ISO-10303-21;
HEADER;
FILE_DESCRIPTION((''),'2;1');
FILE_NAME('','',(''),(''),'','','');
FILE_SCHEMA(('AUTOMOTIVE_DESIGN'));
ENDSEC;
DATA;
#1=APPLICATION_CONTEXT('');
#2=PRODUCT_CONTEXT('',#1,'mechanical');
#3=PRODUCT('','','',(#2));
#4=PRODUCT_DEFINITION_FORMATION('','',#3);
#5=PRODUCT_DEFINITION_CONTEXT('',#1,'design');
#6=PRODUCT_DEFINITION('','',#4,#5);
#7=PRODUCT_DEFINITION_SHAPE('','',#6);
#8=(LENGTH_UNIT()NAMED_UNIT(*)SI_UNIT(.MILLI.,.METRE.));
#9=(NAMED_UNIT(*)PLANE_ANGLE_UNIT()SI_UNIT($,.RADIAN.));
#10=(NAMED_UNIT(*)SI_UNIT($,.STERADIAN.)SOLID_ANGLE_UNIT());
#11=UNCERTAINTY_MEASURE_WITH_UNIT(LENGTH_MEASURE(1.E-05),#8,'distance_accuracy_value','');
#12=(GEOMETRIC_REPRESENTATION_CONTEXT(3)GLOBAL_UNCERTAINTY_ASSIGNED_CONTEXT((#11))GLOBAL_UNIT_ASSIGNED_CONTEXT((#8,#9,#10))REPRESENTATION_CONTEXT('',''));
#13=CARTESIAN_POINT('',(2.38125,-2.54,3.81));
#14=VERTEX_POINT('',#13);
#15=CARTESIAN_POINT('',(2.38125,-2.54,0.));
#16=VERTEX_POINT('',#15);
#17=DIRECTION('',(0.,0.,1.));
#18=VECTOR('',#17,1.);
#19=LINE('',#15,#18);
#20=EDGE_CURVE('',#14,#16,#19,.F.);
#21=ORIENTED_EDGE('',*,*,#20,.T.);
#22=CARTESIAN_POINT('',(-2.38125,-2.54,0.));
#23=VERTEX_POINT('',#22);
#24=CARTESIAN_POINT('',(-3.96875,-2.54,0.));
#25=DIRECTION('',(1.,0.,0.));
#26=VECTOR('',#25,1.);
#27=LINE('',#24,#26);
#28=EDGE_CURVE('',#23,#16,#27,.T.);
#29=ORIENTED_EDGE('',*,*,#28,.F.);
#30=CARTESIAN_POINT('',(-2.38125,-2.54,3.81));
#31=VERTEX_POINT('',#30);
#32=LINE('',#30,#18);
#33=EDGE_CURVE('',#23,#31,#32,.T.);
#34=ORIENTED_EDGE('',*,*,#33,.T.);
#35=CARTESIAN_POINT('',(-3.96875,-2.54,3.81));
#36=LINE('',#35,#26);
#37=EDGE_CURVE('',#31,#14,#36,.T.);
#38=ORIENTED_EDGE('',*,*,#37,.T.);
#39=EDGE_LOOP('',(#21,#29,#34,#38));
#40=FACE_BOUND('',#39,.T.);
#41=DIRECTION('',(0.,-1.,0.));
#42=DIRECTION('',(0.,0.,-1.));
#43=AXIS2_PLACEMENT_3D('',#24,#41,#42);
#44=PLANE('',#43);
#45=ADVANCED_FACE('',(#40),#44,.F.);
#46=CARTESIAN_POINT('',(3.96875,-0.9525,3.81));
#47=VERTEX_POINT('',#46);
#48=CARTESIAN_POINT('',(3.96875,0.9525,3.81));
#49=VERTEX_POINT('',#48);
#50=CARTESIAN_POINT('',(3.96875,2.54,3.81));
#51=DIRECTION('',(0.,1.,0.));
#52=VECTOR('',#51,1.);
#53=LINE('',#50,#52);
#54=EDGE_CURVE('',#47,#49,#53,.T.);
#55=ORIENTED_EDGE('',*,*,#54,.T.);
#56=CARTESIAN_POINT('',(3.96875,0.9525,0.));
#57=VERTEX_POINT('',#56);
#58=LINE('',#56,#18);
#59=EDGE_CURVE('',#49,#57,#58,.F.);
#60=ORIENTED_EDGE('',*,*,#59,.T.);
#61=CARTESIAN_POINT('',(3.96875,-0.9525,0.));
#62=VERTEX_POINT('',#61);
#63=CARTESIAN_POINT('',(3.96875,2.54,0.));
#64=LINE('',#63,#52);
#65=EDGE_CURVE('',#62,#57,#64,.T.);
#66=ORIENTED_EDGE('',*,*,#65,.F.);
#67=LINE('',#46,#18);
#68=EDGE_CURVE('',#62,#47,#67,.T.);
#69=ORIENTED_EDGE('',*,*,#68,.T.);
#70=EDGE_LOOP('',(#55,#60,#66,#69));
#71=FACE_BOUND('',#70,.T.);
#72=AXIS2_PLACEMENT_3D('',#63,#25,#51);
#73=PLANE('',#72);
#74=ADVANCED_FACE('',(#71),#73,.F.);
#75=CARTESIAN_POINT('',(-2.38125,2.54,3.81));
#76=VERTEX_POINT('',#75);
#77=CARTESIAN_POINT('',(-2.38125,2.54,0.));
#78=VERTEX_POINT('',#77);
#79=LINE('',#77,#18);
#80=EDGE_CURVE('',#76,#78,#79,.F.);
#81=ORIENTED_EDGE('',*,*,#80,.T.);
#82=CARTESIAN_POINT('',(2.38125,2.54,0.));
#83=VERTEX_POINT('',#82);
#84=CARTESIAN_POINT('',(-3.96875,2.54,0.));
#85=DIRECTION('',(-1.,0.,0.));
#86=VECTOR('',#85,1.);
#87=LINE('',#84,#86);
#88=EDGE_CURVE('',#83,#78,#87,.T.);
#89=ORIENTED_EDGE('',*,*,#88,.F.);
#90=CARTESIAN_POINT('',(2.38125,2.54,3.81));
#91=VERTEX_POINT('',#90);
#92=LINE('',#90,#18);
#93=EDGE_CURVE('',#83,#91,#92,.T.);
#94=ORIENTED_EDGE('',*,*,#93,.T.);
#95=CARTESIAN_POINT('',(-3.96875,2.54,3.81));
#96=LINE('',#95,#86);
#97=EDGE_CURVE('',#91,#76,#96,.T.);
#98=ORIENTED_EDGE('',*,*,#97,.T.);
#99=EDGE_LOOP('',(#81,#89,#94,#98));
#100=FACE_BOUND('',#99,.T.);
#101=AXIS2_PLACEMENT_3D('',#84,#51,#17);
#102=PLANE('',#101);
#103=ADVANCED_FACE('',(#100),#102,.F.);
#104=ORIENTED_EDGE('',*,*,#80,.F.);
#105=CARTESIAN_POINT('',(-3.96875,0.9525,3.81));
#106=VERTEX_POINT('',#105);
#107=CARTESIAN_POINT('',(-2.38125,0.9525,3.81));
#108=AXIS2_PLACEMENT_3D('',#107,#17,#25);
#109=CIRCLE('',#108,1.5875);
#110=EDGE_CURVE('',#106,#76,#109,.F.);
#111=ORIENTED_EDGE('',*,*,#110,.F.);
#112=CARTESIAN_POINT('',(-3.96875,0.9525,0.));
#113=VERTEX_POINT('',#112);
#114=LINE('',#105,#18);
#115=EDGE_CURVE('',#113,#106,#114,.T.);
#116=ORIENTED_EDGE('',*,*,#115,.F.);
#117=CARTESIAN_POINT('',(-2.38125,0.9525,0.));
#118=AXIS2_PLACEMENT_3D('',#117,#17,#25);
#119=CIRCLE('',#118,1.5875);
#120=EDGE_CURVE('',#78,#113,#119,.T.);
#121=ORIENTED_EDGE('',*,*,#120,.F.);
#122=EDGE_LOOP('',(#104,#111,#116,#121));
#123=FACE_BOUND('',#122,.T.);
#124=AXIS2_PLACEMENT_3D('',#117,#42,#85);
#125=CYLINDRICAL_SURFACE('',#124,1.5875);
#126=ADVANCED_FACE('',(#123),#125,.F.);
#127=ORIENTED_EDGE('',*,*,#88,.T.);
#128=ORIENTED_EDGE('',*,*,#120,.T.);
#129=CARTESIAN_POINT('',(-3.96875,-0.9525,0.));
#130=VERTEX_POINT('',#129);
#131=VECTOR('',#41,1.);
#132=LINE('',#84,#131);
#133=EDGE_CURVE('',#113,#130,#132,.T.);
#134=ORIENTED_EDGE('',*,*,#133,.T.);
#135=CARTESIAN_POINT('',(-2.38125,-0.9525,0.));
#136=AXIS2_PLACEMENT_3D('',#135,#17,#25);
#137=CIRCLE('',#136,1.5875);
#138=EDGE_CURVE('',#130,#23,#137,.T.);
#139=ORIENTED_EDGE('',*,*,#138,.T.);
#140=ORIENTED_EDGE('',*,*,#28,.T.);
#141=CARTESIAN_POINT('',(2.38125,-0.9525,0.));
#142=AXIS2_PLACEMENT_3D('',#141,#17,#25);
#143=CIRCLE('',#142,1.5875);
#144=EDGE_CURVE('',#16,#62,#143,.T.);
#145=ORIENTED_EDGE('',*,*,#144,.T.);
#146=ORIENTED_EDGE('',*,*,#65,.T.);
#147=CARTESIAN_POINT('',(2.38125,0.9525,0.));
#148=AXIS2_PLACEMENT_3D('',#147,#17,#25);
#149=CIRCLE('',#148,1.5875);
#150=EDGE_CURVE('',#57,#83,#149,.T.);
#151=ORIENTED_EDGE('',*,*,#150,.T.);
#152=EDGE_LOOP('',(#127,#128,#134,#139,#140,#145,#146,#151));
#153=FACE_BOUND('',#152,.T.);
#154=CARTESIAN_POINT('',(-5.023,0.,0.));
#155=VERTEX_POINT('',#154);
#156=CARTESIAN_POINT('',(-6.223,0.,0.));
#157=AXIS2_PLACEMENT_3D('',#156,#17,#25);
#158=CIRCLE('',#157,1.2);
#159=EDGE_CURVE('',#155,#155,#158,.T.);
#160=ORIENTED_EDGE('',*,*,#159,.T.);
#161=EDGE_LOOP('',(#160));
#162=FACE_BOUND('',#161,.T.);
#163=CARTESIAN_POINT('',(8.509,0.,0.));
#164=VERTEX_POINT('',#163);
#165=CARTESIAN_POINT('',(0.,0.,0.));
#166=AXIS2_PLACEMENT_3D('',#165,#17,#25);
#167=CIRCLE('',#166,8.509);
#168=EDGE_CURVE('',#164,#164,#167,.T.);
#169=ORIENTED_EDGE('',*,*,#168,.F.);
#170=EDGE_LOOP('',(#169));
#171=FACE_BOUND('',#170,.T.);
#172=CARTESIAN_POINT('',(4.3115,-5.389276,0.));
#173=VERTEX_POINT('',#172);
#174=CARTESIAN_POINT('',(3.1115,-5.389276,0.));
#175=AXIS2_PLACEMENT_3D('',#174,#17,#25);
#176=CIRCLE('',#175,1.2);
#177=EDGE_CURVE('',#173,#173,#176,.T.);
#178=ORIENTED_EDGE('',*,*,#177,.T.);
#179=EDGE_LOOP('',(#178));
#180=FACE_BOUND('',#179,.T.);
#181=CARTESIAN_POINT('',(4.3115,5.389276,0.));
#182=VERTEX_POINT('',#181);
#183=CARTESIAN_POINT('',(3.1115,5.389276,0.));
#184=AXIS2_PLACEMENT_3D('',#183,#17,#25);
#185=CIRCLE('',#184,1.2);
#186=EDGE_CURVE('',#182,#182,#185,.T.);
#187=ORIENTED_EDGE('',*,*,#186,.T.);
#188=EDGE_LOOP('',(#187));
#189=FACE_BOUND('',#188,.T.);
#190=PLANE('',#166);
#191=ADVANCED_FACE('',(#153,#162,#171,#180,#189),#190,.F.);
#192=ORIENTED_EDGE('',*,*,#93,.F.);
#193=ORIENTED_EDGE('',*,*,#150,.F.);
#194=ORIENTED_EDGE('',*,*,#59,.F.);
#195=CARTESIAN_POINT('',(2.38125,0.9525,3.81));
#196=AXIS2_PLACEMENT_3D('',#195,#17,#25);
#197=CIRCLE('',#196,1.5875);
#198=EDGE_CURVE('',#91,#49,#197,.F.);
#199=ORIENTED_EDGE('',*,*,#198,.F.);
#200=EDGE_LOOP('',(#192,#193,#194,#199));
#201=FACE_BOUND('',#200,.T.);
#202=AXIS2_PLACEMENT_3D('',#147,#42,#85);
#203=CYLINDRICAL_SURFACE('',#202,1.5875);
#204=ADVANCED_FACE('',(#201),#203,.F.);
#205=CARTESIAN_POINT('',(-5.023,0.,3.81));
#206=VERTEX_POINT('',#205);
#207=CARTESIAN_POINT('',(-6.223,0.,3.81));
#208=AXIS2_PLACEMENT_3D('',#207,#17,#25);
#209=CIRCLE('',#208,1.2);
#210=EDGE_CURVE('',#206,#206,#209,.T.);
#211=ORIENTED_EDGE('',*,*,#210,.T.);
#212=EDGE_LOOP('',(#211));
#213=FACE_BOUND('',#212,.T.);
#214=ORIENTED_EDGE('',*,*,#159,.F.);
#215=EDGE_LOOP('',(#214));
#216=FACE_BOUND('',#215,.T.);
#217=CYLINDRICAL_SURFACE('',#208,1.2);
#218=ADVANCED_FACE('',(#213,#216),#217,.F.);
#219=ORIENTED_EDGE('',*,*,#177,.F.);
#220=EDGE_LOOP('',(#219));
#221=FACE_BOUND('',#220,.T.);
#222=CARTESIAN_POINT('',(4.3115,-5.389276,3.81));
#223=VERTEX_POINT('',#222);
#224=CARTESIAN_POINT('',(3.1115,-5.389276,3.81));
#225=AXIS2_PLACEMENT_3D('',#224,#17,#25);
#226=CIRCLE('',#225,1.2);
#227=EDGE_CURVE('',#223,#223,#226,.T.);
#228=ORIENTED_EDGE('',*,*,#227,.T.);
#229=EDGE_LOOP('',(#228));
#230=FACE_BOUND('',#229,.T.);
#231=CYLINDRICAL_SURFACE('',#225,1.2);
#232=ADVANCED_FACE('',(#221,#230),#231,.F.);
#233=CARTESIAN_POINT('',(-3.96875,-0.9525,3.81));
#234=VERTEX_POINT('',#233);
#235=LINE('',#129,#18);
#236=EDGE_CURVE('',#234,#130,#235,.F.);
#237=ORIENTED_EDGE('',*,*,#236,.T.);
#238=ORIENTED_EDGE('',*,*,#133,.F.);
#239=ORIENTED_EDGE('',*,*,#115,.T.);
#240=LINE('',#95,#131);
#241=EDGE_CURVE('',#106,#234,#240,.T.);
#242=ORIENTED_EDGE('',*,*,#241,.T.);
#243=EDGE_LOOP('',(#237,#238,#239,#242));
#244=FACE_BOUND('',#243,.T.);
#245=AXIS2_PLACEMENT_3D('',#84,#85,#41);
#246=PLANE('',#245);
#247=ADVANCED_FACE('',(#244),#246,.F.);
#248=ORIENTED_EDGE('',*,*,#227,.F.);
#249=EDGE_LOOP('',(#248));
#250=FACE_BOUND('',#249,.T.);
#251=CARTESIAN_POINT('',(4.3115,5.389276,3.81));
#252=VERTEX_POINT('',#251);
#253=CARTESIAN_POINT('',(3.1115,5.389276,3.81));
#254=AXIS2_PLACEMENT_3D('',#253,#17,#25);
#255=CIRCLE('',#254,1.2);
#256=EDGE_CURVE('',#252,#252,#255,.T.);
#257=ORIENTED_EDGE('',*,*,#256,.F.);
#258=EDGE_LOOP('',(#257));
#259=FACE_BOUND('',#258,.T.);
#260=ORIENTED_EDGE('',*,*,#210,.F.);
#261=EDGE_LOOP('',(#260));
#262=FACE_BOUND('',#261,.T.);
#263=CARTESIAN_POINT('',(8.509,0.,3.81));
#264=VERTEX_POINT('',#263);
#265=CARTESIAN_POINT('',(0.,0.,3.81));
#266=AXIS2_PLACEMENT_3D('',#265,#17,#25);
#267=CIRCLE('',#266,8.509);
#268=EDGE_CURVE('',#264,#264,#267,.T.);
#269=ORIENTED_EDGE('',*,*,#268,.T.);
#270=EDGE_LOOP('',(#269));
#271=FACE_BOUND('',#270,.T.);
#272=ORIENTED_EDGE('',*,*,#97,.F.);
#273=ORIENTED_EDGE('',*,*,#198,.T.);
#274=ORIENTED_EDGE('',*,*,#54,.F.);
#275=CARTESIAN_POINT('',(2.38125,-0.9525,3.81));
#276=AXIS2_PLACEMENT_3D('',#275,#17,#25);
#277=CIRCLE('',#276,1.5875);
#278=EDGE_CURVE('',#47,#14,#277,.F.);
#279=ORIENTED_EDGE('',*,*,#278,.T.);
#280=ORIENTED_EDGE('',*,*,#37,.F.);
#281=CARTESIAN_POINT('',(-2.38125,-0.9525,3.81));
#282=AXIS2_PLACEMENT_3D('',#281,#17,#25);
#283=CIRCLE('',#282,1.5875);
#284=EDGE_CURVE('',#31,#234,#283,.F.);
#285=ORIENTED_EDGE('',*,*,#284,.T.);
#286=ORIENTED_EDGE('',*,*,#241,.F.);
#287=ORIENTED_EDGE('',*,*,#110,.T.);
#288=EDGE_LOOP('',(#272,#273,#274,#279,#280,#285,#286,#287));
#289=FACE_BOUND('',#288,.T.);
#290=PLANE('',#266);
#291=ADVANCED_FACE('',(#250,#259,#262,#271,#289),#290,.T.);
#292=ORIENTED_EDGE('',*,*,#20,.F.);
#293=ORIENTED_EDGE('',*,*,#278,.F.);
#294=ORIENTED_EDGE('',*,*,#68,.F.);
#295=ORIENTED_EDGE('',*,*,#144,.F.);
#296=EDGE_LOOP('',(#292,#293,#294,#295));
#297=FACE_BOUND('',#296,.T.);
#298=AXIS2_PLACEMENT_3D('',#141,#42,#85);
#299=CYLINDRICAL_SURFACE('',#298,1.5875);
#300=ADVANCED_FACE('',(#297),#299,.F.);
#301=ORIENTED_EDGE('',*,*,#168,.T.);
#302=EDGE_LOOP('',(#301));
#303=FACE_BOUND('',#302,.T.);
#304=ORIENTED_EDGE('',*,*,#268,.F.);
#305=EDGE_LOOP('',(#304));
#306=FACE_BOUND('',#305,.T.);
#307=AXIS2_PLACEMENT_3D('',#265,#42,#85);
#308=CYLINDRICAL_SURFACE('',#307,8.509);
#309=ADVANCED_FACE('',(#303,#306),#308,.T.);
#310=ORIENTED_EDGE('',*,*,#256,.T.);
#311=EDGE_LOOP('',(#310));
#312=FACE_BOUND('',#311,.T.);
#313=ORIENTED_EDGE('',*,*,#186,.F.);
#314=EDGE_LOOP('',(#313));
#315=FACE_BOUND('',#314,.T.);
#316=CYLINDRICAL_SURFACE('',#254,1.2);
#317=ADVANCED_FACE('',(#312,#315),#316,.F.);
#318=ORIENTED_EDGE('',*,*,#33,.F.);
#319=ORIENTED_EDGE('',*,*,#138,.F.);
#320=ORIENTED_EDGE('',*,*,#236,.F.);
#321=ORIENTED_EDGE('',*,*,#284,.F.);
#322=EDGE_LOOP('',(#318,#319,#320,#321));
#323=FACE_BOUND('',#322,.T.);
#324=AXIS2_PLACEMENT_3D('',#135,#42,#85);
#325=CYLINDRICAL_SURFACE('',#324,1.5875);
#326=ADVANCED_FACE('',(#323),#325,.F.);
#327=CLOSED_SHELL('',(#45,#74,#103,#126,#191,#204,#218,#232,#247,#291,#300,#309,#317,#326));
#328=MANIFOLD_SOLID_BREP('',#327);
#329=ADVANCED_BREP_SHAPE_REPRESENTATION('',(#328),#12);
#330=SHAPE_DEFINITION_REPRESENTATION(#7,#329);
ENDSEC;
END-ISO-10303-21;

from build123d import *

# Parameters (mm, degrees)
SKETCH1_R            = 8.509
BOSS_EXTRUDE1_DEPTH  = 3.81
SKETCH3_W            = 7.9375
SKETCH3_H            = 5.08
CUT_EXTRUDE2_DEPTH   = 3.81
M2_CLEARANCE_HOLE1_D = 2.4
FILLET1_R            = 1.5875


with BuildPart() as part:
    # Sketch1 → Boss-Extrude1 (new body)
    with BuildSketch(Plane.XY):
        Circle(SKETCH1_R)
    extrude(amount=BOSS_EXTRUDE1_DEPTH)

    # Sketch3 → Cut-Extrude2 (cut)
    with BuildSketch(Plane.XY.offset(3.81)):
        Rectangle(SKETCH3_W, SKETCH3_H)
    extrude(amount=-CUT_EXTRUDE2_DEPTH, mode=Mode.SUBTRACT)

    # M2 Clearance Hole1 (through all)
    with Locations(Plane.XY.offset(3.81)):
        with Locations((-6.223, 0), (3.1115, 5.389276088), (3.1115, -5.389276088)):
            Hole(M2_CLEARANCE_HOLE1_D / 2)

    # Fillet1
    fillet1_edges = [part.edges().sort_by_distance(p)[0] for p in [
        (3.96875, 2.54, 1.905),
        (3.96875, -2.54, 1.905),
        (-3.96875, -2.54, 1.905),
        (-3.96875, 2.54, 1.905),
    ]]
    fillet(fillet1_edges, radius=FILLET1_R)


solid = part.part
